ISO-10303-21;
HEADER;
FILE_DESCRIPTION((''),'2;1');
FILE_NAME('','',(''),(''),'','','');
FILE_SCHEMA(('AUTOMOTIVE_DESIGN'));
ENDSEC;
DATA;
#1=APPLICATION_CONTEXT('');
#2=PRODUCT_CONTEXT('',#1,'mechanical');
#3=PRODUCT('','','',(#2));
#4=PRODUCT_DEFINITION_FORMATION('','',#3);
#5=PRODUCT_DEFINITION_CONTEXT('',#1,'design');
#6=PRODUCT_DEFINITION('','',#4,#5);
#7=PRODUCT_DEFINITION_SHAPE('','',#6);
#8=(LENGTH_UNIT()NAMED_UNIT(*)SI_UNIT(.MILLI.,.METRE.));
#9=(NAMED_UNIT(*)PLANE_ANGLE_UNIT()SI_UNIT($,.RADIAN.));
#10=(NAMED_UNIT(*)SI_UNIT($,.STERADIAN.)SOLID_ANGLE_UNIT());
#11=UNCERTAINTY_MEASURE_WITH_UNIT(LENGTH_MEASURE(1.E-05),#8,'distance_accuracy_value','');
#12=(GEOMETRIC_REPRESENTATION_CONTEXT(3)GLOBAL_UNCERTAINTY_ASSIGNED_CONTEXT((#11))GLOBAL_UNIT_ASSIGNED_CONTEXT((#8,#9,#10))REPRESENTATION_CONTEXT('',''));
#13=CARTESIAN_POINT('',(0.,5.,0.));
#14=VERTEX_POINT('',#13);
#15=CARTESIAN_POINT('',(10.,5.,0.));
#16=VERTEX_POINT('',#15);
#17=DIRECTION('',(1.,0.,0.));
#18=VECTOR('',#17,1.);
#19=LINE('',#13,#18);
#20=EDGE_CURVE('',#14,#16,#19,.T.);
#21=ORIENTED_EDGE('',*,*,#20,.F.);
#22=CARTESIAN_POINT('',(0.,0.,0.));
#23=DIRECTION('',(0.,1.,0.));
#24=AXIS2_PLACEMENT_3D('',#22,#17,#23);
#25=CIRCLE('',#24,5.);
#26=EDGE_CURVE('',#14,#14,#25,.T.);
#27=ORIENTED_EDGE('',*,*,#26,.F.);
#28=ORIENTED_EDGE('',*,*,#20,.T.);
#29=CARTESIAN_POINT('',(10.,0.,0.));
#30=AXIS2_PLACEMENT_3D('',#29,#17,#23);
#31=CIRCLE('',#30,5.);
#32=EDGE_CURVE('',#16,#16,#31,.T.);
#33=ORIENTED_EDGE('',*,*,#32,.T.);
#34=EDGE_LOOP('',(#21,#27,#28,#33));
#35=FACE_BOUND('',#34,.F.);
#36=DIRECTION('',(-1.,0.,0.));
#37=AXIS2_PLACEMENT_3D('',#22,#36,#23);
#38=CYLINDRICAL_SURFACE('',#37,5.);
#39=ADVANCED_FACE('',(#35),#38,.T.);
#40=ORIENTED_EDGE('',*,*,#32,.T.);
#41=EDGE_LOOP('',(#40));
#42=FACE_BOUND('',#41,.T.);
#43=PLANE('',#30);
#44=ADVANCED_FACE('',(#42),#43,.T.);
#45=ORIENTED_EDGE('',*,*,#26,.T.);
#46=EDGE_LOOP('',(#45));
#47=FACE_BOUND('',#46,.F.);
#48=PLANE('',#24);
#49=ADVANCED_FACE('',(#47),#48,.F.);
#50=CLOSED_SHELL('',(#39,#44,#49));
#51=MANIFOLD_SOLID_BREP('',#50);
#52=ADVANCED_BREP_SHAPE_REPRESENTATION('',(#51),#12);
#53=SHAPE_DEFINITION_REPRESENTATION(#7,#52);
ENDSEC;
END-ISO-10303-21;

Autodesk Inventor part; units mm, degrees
ref_plane "YZ Plane" through (0, 0, 0) normal (1, 0, 0) x (0, 1, 0)
ref_plane "XZ Plane" through (0, 0, 0) normal (0, 1, 0) x (-1, 0, 0)
ref_plane "XY Plane" through (0, 0, 0) normal (0, 0, 1) x (1, 0, 0)
sketch "Esquisse1" plane through (0, 0, 0) normal (1, 0, 0) x (0, 1, 0)
  circle A0 centre (0, 0) radius 5
  dimension "d0" = 10
extrude "Extrusion1" add sketch "Esquisse1" along normal blind 10
properties part number "roue_actionneur"
